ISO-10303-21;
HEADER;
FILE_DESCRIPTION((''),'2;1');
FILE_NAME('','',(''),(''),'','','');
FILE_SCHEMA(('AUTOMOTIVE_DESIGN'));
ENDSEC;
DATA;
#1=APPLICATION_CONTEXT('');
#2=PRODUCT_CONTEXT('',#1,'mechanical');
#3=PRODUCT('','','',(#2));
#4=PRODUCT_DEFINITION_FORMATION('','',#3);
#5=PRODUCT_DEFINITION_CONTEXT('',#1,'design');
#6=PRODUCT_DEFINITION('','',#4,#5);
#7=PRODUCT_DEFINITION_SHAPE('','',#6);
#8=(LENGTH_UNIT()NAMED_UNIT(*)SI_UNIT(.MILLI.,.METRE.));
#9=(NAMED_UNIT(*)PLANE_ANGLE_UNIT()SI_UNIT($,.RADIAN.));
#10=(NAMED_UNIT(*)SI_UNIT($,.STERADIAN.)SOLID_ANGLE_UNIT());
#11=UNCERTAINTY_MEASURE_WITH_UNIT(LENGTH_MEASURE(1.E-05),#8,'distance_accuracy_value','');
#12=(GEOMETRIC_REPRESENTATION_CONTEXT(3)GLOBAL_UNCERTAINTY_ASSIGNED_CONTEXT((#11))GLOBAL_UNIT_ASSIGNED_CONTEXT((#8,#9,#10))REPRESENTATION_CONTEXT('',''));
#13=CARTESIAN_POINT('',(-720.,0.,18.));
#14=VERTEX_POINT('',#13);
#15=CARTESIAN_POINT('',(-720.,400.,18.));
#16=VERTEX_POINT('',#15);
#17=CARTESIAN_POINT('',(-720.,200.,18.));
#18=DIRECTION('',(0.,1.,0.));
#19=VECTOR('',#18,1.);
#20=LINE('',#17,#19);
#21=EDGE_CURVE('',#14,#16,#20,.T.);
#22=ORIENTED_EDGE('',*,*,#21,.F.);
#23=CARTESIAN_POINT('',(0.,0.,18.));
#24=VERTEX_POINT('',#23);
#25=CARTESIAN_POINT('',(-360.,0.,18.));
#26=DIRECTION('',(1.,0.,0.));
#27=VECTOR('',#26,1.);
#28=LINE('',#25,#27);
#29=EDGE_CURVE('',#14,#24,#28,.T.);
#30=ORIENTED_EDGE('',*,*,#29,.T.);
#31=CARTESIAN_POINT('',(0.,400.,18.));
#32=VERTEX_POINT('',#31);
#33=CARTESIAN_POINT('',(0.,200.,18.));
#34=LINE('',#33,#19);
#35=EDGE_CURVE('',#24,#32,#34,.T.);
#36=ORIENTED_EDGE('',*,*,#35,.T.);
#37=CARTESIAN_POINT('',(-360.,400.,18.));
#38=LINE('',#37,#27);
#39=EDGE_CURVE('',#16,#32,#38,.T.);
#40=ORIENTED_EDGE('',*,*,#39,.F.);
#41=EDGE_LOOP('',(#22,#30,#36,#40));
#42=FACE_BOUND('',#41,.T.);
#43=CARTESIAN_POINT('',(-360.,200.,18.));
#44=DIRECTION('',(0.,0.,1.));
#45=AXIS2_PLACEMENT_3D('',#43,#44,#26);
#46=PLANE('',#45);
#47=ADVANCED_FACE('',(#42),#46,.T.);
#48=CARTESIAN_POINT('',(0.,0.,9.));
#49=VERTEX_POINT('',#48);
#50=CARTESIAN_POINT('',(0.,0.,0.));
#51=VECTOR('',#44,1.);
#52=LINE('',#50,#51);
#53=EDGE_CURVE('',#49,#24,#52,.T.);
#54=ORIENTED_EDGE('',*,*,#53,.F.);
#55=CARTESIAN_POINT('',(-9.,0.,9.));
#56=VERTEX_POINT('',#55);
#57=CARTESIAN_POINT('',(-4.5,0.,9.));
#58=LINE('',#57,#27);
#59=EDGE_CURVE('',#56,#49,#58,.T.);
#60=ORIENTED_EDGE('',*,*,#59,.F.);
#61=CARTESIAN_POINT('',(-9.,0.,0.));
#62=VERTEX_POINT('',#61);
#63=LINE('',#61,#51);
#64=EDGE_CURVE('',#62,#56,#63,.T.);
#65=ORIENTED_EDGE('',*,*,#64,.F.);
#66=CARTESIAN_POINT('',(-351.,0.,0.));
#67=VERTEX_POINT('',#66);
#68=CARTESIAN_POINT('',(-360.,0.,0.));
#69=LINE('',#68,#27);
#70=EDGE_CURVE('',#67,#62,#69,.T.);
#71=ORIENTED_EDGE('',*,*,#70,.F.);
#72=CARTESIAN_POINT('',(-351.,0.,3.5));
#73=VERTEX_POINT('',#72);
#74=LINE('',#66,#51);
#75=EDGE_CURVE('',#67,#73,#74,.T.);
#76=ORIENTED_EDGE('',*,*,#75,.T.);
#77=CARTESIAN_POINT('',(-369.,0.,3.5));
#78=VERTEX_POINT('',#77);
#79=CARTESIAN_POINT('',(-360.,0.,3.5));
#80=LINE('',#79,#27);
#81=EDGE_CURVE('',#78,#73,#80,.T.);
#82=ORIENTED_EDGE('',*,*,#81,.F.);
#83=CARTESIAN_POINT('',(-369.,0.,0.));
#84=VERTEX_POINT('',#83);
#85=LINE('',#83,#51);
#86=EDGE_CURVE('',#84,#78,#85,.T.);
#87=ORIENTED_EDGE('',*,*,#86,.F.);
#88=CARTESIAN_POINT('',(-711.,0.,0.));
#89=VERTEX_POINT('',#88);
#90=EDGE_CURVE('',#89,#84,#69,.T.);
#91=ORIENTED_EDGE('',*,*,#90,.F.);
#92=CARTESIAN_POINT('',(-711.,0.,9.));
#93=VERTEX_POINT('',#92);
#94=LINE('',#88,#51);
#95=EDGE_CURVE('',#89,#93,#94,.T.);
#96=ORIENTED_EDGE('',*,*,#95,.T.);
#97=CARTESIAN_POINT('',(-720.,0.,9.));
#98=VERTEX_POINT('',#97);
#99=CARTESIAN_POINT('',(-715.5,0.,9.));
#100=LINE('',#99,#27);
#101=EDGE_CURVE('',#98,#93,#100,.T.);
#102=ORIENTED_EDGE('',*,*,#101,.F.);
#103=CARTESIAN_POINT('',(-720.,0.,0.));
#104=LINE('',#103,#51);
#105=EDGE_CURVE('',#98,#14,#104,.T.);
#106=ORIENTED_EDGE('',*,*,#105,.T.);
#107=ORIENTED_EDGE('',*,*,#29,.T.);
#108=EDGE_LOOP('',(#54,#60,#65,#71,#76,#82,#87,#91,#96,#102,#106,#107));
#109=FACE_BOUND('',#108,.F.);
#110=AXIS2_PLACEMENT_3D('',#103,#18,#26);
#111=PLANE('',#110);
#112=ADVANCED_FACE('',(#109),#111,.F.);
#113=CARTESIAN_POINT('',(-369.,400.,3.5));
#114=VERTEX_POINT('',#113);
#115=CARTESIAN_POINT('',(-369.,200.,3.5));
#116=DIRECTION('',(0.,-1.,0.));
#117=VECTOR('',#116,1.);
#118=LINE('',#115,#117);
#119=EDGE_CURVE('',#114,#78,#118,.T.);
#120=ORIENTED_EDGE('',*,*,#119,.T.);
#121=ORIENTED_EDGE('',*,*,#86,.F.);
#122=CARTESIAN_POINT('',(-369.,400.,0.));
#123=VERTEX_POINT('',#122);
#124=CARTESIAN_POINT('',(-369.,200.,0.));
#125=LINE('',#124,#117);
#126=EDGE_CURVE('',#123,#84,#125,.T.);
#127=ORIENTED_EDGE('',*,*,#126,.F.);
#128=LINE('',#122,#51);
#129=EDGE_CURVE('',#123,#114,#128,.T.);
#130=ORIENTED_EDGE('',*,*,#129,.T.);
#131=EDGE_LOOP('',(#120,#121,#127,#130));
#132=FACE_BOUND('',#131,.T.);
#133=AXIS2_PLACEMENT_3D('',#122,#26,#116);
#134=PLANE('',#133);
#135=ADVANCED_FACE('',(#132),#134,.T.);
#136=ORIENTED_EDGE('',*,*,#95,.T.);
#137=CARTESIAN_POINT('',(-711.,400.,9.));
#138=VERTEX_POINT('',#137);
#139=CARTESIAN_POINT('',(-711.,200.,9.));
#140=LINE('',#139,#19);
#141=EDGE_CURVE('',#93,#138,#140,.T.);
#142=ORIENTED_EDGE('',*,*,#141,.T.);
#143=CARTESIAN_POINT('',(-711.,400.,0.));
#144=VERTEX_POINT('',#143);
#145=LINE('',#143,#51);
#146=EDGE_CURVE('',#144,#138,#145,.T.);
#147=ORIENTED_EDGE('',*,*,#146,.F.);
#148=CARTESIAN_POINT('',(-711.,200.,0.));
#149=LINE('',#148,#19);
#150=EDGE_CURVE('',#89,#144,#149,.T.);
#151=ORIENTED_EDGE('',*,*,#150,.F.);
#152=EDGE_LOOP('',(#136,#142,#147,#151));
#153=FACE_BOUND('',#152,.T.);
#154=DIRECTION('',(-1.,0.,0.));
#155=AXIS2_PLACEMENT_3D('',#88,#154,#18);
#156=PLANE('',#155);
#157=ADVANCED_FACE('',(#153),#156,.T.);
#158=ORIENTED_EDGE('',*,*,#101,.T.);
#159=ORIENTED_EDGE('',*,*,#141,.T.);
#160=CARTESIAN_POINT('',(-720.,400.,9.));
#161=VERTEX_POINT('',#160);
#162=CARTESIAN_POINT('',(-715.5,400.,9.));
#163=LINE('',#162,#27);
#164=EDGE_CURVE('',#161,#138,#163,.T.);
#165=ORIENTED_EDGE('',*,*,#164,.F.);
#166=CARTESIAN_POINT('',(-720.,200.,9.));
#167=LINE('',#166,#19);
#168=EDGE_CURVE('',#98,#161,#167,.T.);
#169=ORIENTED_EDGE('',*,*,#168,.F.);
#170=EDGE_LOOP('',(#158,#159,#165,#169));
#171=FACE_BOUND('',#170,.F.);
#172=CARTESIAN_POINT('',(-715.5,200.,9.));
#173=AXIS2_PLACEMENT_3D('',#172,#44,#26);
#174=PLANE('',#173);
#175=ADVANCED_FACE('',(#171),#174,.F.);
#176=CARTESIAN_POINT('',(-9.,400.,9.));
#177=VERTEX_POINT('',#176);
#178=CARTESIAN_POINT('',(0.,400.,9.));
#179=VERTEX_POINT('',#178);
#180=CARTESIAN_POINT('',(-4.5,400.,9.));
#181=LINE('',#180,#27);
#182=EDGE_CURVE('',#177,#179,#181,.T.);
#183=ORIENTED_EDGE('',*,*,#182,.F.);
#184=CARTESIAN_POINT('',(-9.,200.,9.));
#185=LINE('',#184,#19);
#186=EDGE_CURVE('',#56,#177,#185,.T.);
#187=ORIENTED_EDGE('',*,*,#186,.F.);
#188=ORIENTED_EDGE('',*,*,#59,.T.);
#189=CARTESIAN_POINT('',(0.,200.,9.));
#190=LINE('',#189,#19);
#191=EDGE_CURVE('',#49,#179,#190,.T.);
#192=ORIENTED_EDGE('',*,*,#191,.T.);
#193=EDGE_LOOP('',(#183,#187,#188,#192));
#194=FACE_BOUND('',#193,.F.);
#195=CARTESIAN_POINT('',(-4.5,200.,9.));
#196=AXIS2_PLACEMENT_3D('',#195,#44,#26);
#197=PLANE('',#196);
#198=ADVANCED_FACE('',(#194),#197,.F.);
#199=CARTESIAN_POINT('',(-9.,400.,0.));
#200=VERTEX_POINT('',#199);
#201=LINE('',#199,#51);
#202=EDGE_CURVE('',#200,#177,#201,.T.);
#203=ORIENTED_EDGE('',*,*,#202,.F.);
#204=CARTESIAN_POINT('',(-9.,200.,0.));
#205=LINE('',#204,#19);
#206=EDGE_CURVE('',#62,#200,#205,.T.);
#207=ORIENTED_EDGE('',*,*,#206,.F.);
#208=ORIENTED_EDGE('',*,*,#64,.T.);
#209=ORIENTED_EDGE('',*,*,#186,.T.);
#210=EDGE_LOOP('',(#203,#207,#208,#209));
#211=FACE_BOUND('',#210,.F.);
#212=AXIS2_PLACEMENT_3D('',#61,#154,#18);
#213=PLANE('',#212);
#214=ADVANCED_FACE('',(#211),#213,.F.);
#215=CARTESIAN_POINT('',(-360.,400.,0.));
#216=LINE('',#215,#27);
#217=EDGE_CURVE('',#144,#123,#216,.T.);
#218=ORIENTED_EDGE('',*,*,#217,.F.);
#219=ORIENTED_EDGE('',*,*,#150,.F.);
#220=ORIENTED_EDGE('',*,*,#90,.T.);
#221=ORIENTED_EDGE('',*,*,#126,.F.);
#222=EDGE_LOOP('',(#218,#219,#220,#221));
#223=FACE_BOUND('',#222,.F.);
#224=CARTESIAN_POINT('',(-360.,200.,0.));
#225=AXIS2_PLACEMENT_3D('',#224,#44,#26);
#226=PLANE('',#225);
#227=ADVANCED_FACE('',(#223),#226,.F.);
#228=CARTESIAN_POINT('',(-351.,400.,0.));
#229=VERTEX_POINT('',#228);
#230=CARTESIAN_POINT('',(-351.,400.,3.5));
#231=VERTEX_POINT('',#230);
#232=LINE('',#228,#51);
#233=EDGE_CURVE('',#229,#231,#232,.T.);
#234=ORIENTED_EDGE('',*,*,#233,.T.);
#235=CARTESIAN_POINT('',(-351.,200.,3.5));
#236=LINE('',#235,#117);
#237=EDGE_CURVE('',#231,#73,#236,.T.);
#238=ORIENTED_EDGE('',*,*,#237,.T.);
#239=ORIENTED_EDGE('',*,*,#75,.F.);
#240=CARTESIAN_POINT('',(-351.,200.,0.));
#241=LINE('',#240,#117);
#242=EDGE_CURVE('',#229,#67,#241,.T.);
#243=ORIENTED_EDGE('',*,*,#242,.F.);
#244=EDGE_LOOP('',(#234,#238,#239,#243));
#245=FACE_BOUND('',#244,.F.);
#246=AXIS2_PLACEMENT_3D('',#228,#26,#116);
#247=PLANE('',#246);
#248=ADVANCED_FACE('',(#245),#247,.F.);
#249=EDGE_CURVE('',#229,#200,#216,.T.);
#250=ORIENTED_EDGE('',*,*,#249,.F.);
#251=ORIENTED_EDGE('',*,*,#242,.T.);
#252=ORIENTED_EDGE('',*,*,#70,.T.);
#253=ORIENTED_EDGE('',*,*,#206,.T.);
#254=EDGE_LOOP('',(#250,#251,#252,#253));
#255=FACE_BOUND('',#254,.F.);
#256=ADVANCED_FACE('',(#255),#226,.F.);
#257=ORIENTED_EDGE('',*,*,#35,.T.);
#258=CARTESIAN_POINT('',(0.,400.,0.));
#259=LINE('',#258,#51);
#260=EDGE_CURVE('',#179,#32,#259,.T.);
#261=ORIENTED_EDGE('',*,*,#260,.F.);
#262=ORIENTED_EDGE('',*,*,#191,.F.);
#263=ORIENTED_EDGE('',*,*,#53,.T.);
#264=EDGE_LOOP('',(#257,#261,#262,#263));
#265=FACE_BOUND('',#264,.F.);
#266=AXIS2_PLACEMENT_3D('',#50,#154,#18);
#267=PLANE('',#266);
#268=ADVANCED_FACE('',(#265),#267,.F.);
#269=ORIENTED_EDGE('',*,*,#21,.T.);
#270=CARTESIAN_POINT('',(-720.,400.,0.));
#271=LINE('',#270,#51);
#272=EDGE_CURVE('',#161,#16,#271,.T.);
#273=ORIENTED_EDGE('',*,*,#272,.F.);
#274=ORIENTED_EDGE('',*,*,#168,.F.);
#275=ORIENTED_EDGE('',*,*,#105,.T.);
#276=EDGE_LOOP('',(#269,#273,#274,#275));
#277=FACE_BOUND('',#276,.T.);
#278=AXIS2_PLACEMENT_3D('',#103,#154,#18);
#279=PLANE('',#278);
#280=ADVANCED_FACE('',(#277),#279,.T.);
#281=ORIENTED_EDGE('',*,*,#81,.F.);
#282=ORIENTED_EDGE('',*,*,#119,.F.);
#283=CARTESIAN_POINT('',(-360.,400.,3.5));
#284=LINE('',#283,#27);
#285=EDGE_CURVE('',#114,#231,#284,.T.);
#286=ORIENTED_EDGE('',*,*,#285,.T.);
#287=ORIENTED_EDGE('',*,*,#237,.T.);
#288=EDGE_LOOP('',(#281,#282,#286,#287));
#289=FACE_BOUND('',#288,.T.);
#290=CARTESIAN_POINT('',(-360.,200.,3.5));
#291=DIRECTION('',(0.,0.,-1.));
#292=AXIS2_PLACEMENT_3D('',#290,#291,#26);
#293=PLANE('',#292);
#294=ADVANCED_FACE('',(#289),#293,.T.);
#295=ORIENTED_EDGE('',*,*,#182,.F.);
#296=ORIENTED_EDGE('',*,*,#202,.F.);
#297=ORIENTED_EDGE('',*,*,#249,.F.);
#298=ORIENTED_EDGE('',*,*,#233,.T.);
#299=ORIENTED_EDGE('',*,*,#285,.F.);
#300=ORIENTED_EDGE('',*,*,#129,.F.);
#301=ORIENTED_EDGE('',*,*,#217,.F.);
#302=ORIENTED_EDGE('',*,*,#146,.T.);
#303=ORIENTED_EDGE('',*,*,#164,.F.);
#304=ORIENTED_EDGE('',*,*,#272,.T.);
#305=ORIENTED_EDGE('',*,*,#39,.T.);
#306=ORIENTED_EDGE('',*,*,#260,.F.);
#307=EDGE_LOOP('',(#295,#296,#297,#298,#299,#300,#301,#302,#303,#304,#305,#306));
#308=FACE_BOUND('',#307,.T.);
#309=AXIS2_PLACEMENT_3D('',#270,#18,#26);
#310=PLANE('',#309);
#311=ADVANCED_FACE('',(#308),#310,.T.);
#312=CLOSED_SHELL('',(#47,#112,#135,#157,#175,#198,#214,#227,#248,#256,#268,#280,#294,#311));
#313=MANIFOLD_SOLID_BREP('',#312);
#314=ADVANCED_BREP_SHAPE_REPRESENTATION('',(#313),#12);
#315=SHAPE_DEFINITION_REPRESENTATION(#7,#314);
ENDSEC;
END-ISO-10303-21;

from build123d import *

# Parameters (mm, degrees)
SKETCH_W        = 720
SKETCH_H        = 400
PAD_DEPTH       = 18
SKETCH001_W     = 9
SKETCH001_H     = 400
POCKET_DEPTH    = 9
SKETCH002_W     = 18
SKETCH002_H     = 400
POCKET001_DEPTH = 3.5


with BuildPart() as part:
    # Sketch → Pad (new body)
    with BuildSketch(Plane.XY):
        with Locations((-360, 200)):
            Rectangle(SKETCH_W, SKETCH_H)
    extrude(amount=PAD_DEPTH)

    # Sketch001 → Pocket (cut)
    with BuildSketch(Plane.XY):
        with Locations((-4.5, 200)):
            Rectangle(SKETCH001_W, SKETCH001_H)
        with Locations((-715.5, 200)):
            Rectangle(SKETCH001_W, SKETCH001_H)
    extrude(amount=POCKET_DEPTH, mode=Mode.SUBTRACT)

    # Sketch002 (on Face4 of Pocket) → Pocket001 (cut)
    with BuildSketch(Plane(origin=(0, 0, 0), x_dir=(1, 0, 0), z_dir=(0, 0, -1))):
        with Locations((-360, -200)):
            Rectangle(SKETCH002_W, SKETCH002_H)
    extrude(amount=-POCKET001_DEPTH, mode=Mode.SUBTRACT)


solid = part.part
